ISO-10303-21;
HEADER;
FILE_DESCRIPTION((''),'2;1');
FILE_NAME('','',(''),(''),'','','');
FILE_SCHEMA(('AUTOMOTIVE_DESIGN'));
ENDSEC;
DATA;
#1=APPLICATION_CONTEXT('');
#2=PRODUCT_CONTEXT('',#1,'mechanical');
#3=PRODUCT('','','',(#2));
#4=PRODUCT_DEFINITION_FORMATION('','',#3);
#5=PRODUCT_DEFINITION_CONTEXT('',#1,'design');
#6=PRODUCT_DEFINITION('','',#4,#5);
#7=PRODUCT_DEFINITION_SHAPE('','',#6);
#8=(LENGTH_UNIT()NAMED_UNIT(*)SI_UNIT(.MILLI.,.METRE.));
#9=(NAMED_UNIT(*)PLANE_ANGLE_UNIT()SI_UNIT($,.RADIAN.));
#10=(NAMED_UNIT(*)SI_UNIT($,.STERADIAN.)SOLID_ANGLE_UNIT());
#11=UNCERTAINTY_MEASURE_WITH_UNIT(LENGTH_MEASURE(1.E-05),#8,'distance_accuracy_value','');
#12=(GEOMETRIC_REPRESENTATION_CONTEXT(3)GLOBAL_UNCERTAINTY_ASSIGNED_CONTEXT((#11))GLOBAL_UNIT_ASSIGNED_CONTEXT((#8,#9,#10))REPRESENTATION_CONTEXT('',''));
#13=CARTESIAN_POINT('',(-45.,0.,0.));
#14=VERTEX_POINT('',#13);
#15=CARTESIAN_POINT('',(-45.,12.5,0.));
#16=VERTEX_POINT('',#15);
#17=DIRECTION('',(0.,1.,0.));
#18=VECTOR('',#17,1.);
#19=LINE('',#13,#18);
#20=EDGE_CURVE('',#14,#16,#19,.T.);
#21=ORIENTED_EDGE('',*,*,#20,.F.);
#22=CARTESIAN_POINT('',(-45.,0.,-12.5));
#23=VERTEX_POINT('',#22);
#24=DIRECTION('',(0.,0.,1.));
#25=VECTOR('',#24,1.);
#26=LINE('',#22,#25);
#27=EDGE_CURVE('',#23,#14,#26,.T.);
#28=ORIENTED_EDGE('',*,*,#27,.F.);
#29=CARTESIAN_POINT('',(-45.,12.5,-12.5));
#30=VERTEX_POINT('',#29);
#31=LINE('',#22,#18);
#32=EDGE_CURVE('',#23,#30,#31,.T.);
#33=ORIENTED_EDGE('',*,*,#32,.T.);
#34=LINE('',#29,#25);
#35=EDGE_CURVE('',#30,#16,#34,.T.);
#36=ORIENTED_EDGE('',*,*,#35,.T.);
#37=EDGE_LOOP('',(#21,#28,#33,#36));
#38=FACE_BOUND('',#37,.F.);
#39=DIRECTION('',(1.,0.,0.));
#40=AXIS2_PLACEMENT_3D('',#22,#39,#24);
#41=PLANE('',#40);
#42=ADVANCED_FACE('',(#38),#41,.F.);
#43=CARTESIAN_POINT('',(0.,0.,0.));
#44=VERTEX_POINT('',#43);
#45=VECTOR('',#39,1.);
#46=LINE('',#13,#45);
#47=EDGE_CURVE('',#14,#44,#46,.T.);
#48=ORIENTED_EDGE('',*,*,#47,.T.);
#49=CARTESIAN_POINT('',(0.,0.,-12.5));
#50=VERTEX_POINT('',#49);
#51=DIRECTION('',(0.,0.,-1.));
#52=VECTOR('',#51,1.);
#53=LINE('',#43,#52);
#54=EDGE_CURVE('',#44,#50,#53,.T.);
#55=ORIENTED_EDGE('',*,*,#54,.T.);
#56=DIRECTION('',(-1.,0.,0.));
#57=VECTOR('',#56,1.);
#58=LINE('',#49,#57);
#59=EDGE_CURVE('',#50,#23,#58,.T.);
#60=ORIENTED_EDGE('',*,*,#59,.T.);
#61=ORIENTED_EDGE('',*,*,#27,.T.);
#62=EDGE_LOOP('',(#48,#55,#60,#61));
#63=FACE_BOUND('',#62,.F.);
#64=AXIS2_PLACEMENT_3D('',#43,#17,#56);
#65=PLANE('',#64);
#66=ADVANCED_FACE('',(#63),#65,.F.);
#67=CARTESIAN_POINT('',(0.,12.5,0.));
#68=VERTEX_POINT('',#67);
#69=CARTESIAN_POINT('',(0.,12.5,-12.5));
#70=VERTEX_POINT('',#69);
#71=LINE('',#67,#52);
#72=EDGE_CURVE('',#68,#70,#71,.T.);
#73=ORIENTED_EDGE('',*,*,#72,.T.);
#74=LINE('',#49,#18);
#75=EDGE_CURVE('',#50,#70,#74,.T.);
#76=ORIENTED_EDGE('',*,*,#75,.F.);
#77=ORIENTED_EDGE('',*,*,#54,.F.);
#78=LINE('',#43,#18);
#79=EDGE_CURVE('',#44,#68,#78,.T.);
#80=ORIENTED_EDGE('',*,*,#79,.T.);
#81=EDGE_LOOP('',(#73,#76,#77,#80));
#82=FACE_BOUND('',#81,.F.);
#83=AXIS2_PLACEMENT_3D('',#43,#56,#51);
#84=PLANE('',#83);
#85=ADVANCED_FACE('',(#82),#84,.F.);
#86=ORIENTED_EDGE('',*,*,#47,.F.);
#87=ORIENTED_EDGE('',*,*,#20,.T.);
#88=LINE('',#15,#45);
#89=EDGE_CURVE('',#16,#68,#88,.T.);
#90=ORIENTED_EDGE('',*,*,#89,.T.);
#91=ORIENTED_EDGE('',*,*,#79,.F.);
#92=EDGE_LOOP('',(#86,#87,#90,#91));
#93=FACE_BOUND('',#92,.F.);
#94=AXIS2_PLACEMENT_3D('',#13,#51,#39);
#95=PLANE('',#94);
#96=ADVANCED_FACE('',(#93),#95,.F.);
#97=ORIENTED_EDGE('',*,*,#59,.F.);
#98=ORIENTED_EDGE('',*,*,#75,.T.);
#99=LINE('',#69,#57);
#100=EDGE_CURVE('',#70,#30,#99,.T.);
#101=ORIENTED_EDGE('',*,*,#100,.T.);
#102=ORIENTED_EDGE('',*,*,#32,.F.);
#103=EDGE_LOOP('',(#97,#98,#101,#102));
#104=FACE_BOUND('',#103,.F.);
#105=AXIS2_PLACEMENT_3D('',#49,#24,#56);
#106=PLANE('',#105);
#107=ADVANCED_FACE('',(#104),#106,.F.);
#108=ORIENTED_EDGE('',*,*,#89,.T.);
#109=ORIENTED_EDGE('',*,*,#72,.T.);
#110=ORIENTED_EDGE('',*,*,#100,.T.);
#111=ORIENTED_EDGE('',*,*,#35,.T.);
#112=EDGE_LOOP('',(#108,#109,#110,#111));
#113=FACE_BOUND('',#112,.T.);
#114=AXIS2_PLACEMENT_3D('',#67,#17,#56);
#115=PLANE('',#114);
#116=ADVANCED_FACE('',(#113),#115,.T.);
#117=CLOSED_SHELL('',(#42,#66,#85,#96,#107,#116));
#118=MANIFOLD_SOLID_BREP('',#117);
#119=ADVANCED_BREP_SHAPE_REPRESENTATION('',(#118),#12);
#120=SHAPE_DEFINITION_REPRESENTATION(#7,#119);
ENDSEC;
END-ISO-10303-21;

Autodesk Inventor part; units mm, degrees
ref_plane "YZ Plane" through (0, 0, 0) normal (1, 0, 0) x (0, 1, 0)
ref_plane "XZ Plane" through (0, 0, 0) normal (0, 1, 0) x (-1, 0, 0)
ref_plane "XY Plane" through (0, 0, 0) normal (0, 0, 1) x (1, 0, 0)
sketch "Sketch1" plane through (0, 0, 0) normal (0, 1, 0) x (-1, 0, 0)
  line L0 (45, 0) -> (0, 0)
  line L1 (0, 0) -> (0, -12.5)
  line L2 (0, -12.5) -> (45, -12.5)
  line L3 (45, -12.5) -> (45, 0)
  dimension "d0" = 45
  dimension "d1" = 12.5
extrude "Extrusion1" add sketch "Sketch1" along normal blind 12.5
sketch "Sketch2" plane through (0, 12.5, 0) normal (0, 1, 0) x (1, 0, 0)
  line L0 (-23, 0) -> (-23, 12.5)
  line L1 (-42.4869, 1.9235) -> (-42.4869, 10.7955) construction
  line L2 (-42.4869, 10.7955) -> (-38.8394, 10.7955) construction
  line L3 (-38.8394, 10.7955) -> (-38.8394, 1.9235) construction
  line L4 (-38.8394, 1.9235) -> (-42.4869, 1.9235) construction
  point P0 (0, 0)
  dimension "d4" = 12.5
  dimension "d5" = 23
properties part number "Cuvette" material "Glass"
